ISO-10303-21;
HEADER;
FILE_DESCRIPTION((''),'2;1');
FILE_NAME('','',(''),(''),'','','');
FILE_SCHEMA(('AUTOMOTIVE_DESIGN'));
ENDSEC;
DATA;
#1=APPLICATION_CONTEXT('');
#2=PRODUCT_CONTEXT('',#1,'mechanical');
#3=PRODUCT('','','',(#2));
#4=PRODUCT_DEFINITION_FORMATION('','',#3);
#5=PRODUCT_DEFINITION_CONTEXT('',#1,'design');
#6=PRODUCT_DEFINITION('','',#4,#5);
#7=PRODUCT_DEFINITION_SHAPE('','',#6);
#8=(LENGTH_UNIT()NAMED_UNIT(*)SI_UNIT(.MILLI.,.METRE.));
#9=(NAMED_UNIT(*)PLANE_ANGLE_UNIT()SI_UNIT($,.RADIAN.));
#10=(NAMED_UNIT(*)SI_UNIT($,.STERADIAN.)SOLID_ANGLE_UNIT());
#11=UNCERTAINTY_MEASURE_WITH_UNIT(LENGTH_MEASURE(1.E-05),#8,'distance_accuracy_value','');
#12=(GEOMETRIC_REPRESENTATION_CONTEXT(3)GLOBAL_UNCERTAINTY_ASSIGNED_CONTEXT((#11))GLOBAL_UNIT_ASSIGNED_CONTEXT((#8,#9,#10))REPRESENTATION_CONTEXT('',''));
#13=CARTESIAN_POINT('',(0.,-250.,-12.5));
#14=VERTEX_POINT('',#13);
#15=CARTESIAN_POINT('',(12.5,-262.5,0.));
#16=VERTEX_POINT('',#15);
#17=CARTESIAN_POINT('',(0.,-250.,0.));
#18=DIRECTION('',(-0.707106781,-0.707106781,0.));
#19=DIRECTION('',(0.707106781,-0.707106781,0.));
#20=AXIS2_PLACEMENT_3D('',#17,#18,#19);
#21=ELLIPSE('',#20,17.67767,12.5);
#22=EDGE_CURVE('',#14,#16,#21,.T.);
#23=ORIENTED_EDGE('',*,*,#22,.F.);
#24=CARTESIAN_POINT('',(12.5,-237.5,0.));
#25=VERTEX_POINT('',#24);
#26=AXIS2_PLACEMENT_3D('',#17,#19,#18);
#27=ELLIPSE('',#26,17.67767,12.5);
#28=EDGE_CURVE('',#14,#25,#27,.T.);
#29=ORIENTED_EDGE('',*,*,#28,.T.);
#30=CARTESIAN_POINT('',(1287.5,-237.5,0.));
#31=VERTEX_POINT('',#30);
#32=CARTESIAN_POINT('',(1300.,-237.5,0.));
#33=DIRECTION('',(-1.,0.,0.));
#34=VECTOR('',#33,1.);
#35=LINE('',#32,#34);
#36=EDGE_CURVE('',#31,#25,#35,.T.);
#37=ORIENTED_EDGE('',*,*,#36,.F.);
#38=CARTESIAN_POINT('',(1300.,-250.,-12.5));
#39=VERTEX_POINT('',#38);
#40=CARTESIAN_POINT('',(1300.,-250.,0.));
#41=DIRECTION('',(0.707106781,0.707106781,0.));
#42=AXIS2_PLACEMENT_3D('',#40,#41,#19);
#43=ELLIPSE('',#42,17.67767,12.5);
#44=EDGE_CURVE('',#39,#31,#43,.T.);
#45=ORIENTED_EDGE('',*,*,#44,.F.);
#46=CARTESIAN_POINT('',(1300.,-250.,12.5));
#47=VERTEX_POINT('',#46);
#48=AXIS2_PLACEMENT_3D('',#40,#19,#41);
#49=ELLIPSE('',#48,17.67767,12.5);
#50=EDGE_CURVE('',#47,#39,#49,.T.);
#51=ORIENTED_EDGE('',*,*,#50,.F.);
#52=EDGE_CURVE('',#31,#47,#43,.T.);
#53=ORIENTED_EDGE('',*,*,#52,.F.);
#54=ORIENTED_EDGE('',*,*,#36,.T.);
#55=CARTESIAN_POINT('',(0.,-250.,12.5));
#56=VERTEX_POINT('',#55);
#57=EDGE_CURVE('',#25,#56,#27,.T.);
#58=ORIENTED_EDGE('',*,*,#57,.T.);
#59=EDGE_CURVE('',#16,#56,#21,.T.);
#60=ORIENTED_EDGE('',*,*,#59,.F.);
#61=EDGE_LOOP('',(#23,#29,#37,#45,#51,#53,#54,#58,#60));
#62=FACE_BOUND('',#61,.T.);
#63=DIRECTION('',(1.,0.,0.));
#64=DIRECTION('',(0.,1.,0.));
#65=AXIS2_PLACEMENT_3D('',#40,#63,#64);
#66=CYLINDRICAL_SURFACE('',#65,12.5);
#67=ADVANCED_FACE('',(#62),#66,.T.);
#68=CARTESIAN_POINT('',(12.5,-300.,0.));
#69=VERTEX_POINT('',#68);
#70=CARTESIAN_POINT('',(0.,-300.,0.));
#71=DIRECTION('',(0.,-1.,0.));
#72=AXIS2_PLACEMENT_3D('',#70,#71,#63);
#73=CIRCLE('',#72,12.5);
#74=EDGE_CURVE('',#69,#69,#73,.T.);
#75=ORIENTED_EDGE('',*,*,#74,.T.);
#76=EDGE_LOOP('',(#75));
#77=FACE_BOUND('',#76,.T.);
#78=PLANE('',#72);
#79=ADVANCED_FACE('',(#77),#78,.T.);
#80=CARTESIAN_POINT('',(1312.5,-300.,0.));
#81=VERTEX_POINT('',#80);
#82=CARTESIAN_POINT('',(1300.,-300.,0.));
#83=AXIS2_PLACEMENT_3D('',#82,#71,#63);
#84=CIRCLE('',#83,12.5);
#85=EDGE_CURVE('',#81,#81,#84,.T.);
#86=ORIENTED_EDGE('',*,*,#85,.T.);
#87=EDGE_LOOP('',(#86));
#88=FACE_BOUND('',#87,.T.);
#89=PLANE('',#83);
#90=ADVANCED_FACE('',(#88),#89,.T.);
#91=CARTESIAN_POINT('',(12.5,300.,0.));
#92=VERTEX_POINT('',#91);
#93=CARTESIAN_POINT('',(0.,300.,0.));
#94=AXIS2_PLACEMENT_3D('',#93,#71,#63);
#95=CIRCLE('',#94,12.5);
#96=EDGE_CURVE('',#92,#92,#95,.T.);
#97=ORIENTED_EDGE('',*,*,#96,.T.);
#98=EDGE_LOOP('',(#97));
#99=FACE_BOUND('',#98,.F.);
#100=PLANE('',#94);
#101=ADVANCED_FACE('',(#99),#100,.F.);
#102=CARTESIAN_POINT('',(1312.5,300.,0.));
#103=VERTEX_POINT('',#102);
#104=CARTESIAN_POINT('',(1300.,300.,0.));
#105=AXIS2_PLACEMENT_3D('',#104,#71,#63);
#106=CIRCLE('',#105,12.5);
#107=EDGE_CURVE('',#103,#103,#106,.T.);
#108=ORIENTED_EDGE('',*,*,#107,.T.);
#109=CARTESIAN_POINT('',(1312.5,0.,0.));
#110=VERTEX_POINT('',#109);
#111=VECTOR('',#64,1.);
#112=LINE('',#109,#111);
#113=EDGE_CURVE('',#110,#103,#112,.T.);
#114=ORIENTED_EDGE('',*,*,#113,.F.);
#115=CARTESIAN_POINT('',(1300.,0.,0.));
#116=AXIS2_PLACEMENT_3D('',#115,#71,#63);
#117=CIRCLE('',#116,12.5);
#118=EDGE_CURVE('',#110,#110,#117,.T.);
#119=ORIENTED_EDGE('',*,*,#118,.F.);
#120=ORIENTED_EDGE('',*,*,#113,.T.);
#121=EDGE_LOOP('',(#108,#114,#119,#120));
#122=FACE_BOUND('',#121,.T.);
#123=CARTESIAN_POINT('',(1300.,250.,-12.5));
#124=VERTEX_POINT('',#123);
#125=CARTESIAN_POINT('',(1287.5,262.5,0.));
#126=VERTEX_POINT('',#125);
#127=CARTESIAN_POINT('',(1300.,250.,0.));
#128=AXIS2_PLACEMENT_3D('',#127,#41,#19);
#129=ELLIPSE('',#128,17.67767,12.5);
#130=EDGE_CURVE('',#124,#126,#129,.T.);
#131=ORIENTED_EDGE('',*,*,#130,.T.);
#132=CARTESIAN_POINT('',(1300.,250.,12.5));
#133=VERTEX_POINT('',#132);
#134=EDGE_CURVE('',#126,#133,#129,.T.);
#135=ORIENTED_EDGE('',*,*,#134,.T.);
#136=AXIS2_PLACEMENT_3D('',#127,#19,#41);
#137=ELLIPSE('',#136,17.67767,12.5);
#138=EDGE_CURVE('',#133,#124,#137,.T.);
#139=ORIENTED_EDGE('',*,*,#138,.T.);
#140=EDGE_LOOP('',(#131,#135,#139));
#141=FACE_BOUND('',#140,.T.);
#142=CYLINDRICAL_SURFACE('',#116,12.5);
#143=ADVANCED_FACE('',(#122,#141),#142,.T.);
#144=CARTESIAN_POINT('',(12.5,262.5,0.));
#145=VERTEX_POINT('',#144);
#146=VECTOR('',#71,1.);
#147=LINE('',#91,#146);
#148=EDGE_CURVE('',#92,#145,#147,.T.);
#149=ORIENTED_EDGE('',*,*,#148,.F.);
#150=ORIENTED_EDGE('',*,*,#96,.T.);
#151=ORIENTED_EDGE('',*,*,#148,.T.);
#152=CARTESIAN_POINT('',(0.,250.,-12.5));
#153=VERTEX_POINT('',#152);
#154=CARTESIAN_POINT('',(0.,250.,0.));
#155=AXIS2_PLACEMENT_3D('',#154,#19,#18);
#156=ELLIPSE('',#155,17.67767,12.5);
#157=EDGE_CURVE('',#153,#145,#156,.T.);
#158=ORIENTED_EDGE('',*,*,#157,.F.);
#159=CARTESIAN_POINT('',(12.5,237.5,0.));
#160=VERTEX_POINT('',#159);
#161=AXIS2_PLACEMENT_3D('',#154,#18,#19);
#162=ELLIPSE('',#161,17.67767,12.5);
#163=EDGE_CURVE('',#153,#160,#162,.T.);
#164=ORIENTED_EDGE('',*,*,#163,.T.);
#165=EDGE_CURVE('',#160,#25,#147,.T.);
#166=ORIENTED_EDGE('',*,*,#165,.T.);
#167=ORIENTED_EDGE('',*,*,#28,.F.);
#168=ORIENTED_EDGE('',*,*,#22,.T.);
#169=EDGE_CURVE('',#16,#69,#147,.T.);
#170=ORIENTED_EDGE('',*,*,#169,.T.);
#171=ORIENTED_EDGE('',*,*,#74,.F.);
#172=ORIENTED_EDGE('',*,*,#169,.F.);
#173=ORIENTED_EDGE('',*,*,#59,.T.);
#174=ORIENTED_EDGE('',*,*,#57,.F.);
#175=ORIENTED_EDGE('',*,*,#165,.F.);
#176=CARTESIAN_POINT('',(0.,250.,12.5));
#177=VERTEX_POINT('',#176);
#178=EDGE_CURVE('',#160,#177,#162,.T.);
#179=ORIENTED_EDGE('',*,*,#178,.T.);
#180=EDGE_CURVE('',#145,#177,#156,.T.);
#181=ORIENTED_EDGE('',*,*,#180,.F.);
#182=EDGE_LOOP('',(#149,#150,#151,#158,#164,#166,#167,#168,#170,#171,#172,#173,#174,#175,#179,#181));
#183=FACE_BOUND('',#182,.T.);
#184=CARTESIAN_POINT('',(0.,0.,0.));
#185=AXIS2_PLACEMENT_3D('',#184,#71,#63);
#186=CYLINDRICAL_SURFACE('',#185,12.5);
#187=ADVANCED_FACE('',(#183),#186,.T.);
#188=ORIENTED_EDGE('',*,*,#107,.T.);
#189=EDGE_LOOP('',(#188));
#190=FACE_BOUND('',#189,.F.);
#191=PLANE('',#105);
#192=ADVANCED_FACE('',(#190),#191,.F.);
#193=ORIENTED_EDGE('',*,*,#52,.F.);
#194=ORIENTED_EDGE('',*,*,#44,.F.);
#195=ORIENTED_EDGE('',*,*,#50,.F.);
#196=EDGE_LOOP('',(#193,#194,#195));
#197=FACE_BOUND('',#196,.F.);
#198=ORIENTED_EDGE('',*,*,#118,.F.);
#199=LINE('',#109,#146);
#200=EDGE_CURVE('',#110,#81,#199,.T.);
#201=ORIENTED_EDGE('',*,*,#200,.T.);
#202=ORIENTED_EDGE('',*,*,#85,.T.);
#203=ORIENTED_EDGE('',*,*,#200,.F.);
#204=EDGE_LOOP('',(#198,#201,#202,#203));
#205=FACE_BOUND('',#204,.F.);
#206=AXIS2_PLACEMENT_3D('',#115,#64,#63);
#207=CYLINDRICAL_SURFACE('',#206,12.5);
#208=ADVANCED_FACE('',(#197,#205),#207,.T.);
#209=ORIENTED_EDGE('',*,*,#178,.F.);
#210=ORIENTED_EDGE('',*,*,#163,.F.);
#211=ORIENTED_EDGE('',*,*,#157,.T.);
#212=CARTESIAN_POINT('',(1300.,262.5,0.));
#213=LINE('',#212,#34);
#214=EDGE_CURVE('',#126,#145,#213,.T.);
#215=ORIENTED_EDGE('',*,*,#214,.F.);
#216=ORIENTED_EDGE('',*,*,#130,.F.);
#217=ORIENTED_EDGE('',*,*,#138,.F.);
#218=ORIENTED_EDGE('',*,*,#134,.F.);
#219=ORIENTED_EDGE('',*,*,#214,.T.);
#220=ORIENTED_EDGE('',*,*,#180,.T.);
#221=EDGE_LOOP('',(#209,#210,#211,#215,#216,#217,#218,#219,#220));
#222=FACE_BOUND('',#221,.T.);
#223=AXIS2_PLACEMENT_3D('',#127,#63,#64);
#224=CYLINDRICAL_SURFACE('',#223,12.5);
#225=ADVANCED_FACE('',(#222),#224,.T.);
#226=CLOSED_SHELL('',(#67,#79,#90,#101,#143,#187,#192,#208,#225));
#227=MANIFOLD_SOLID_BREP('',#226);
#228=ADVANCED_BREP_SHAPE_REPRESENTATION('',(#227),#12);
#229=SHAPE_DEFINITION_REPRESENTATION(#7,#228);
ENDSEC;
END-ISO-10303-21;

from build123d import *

# Parameters (mm, degrees)
F0_R          = 12.5
F1_DEPTH      = 300
F3_R          = 12.5
F5_R          = 12.5
F6_DEPTH      = 300
F6_DEPTH_BACK = 300


with BuildPart() as f1:
    # F0 (on Front) → F1 (new body, symmetric)
    with BuildSketch(Plane.XZ):
        Circle(F0_R)
    extrude(amount=F1_DEPTH, both=True)

    # F3 (on offset) → F4 (join, up to the next surface of F1)
    with BuildSketch(Plane.YZ.offset(1300)):
        with Locations((-250, 0)):
            Circle(F3_R)
        with Locations((250, 0)):
            Circle(F3_R)
    extrude(until=Until.NEXT, dir=(-1, 0, 0))

    # F5 (on Front) → F6 (join, two sides)
    with BuildSketch(Plane.XZ) as f6_sk:
        with Locations((1300, 0)):
            Circle(F5_R)
    extrude(amount=F6_DEPTH)
    extrude(f6_sk.sketch, amount=-F6_DEPTH_BACK)


solid = f1.part
